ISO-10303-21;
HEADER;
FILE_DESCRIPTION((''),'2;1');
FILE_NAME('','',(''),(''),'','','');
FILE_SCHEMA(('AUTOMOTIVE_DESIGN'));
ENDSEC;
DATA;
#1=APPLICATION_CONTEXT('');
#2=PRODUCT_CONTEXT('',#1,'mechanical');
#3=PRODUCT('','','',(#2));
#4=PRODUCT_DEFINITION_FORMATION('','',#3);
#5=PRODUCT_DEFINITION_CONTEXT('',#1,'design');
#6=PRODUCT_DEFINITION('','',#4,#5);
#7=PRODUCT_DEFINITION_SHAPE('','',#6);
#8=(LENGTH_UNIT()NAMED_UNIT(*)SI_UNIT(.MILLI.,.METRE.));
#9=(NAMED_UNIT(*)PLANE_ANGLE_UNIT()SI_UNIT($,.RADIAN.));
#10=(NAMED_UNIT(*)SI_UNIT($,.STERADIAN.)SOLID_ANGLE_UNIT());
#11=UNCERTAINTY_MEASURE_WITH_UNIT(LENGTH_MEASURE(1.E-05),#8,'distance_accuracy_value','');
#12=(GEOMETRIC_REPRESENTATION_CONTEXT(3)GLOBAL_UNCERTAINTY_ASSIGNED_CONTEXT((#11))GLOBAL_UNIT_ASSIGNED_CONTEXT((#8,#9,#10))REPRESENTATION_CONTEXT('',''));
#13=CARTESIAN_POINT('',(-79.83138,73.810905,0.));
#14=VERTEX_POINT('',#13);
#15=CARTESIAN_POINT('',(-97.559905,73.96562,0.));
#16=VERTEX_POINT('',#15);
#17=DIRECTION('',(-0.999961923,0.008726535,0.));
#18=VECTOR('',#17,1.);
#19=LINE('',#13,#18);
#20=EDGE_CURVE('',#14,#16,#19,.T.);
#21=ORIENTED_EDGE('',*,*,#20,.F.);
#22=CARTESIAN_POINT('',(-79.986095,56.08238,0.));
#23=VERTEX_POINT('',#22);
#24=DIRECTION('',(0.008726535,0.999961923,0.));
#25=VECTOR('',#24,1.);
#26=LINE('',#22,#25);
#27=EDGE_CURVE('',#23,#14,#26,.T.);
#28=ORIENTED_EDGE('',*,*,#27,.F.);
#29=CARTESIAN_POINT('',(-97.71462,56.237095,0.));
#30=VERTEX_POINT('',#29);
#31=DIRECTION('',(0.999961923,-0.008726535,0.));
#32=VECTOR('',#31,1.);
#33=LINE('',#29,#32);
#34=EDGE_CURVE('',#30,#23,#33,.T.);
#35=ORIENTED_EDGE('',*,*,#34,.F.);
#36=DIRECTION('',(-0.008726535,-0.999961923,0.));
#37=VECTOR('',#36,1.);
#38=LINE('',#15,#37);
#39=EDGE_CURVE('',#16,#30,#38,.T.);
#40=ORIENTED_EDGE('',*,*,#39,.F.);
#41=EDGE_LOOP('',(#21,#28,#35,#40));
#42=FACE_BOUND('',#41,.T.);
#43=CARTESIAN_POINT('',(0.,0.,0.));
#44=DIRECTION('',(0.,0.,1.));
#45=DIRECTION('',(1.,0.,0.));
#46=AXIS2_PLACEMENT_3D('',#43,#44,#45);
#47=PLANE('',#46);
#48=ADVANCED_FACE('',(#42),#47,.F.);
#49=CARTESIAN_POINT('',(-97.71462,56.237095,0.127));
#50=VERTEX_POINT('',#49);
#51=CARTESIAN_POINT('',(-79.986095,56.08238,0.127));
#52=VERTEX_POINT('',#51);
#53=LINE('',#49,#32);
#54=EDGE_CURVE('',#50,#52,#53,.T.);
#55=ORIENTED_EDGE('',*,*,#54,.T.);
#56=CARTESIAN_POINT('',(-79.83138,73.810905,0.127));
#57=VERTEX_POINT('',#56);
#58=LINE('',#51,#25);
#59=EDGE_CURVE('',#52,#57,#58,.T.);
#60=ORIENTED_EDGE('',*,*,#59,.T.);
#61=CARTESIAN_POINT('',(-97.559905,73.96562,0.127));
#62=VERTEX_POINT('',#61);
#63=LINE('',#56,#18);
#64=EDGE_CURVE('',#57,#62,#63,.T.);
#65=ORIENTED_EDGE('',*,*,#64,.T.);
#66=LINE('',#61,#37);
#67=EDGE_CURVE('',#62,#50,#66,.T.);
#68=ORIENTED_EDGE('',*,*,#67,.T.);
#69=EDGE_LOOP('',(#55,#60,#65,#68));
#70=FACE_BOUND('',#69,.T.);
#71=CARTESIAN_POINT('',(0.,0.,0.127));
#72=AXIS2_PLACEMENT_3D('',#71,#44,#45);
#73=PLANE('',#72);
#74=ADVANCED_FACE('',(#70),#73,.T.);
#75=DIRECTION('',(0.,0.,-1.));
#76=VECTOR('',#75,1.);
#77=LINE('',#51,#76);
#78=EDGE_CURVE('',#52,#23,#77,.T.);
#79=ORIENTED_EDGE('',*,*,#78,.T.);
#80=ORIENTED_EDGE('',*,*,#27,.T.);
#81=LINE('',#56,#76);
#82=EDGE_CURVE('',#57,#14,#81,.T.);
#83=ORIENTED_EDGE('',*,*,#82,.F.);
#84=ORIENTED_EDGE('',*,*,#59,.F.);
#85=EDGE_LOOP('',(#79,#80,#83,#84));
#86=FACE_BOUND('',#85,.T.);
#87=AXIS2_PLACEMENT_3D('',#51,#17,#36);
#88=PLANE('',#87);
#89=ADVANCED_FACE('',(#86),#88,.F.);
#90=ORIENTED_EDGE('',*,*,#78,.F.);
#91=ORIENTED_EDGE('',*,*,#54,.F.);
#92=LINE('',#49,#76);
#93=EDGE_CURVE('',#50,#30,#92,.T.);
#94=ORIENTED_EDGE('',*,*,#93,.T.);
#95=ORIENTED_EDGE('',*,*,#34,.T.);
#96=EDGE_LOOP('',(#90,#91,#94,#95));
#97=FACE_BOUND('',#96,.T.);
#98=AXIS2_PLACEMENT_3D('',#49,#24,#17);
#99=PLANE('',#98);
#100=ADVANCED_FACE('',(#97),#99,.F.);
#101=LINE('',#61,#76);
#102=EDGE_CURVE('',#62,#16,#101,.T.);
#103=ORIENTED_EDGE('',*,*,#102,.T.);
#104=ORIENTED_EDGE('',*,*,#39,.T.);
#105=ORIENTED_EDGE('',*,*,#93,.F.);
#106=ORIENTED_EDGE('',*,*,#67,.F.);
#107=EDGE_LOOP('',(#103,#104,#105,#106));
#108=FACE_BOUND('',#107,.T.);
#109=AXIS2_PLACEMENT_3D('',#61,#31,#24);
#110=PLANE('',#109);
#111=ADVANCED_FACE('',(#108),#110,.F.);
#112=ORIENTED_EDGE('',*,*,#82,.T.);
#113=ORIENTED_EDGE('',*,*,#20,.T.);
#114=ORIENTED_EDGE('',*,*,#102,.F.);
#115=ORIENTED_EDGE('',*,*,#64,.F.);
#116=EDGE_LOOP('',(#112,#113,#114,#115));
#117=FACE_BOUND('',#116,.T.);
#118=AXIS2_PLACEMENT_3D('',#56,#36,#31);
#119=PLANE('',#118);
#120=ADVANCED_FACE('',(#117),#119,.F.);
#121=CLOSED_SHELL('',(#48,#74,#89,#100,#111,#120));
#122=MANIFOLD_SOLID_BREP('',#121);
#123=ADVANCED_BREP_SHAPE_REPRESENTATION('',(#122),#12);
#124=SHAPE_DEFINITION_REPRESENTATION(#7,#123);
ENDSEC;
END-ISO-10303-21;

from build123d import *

# Parameters (mm, degrees)
BOSS_EXTRUDE1_DEPTH = 0.127


with BuildPart() as part:
    # Sketch1 → Boss-Extrude1 (new body)
    with BuildSketch(Plane.XY):
        Polygon((-97.559905217, 73.96561971), (-97.71461971, 56.237094783), (-79.986094783, 56.08238029), (-79.83138029, 73.810905217), align=None)
    extrude(amount=BOSS_EXTRUDE1_DEPTH)


solid = part.part
